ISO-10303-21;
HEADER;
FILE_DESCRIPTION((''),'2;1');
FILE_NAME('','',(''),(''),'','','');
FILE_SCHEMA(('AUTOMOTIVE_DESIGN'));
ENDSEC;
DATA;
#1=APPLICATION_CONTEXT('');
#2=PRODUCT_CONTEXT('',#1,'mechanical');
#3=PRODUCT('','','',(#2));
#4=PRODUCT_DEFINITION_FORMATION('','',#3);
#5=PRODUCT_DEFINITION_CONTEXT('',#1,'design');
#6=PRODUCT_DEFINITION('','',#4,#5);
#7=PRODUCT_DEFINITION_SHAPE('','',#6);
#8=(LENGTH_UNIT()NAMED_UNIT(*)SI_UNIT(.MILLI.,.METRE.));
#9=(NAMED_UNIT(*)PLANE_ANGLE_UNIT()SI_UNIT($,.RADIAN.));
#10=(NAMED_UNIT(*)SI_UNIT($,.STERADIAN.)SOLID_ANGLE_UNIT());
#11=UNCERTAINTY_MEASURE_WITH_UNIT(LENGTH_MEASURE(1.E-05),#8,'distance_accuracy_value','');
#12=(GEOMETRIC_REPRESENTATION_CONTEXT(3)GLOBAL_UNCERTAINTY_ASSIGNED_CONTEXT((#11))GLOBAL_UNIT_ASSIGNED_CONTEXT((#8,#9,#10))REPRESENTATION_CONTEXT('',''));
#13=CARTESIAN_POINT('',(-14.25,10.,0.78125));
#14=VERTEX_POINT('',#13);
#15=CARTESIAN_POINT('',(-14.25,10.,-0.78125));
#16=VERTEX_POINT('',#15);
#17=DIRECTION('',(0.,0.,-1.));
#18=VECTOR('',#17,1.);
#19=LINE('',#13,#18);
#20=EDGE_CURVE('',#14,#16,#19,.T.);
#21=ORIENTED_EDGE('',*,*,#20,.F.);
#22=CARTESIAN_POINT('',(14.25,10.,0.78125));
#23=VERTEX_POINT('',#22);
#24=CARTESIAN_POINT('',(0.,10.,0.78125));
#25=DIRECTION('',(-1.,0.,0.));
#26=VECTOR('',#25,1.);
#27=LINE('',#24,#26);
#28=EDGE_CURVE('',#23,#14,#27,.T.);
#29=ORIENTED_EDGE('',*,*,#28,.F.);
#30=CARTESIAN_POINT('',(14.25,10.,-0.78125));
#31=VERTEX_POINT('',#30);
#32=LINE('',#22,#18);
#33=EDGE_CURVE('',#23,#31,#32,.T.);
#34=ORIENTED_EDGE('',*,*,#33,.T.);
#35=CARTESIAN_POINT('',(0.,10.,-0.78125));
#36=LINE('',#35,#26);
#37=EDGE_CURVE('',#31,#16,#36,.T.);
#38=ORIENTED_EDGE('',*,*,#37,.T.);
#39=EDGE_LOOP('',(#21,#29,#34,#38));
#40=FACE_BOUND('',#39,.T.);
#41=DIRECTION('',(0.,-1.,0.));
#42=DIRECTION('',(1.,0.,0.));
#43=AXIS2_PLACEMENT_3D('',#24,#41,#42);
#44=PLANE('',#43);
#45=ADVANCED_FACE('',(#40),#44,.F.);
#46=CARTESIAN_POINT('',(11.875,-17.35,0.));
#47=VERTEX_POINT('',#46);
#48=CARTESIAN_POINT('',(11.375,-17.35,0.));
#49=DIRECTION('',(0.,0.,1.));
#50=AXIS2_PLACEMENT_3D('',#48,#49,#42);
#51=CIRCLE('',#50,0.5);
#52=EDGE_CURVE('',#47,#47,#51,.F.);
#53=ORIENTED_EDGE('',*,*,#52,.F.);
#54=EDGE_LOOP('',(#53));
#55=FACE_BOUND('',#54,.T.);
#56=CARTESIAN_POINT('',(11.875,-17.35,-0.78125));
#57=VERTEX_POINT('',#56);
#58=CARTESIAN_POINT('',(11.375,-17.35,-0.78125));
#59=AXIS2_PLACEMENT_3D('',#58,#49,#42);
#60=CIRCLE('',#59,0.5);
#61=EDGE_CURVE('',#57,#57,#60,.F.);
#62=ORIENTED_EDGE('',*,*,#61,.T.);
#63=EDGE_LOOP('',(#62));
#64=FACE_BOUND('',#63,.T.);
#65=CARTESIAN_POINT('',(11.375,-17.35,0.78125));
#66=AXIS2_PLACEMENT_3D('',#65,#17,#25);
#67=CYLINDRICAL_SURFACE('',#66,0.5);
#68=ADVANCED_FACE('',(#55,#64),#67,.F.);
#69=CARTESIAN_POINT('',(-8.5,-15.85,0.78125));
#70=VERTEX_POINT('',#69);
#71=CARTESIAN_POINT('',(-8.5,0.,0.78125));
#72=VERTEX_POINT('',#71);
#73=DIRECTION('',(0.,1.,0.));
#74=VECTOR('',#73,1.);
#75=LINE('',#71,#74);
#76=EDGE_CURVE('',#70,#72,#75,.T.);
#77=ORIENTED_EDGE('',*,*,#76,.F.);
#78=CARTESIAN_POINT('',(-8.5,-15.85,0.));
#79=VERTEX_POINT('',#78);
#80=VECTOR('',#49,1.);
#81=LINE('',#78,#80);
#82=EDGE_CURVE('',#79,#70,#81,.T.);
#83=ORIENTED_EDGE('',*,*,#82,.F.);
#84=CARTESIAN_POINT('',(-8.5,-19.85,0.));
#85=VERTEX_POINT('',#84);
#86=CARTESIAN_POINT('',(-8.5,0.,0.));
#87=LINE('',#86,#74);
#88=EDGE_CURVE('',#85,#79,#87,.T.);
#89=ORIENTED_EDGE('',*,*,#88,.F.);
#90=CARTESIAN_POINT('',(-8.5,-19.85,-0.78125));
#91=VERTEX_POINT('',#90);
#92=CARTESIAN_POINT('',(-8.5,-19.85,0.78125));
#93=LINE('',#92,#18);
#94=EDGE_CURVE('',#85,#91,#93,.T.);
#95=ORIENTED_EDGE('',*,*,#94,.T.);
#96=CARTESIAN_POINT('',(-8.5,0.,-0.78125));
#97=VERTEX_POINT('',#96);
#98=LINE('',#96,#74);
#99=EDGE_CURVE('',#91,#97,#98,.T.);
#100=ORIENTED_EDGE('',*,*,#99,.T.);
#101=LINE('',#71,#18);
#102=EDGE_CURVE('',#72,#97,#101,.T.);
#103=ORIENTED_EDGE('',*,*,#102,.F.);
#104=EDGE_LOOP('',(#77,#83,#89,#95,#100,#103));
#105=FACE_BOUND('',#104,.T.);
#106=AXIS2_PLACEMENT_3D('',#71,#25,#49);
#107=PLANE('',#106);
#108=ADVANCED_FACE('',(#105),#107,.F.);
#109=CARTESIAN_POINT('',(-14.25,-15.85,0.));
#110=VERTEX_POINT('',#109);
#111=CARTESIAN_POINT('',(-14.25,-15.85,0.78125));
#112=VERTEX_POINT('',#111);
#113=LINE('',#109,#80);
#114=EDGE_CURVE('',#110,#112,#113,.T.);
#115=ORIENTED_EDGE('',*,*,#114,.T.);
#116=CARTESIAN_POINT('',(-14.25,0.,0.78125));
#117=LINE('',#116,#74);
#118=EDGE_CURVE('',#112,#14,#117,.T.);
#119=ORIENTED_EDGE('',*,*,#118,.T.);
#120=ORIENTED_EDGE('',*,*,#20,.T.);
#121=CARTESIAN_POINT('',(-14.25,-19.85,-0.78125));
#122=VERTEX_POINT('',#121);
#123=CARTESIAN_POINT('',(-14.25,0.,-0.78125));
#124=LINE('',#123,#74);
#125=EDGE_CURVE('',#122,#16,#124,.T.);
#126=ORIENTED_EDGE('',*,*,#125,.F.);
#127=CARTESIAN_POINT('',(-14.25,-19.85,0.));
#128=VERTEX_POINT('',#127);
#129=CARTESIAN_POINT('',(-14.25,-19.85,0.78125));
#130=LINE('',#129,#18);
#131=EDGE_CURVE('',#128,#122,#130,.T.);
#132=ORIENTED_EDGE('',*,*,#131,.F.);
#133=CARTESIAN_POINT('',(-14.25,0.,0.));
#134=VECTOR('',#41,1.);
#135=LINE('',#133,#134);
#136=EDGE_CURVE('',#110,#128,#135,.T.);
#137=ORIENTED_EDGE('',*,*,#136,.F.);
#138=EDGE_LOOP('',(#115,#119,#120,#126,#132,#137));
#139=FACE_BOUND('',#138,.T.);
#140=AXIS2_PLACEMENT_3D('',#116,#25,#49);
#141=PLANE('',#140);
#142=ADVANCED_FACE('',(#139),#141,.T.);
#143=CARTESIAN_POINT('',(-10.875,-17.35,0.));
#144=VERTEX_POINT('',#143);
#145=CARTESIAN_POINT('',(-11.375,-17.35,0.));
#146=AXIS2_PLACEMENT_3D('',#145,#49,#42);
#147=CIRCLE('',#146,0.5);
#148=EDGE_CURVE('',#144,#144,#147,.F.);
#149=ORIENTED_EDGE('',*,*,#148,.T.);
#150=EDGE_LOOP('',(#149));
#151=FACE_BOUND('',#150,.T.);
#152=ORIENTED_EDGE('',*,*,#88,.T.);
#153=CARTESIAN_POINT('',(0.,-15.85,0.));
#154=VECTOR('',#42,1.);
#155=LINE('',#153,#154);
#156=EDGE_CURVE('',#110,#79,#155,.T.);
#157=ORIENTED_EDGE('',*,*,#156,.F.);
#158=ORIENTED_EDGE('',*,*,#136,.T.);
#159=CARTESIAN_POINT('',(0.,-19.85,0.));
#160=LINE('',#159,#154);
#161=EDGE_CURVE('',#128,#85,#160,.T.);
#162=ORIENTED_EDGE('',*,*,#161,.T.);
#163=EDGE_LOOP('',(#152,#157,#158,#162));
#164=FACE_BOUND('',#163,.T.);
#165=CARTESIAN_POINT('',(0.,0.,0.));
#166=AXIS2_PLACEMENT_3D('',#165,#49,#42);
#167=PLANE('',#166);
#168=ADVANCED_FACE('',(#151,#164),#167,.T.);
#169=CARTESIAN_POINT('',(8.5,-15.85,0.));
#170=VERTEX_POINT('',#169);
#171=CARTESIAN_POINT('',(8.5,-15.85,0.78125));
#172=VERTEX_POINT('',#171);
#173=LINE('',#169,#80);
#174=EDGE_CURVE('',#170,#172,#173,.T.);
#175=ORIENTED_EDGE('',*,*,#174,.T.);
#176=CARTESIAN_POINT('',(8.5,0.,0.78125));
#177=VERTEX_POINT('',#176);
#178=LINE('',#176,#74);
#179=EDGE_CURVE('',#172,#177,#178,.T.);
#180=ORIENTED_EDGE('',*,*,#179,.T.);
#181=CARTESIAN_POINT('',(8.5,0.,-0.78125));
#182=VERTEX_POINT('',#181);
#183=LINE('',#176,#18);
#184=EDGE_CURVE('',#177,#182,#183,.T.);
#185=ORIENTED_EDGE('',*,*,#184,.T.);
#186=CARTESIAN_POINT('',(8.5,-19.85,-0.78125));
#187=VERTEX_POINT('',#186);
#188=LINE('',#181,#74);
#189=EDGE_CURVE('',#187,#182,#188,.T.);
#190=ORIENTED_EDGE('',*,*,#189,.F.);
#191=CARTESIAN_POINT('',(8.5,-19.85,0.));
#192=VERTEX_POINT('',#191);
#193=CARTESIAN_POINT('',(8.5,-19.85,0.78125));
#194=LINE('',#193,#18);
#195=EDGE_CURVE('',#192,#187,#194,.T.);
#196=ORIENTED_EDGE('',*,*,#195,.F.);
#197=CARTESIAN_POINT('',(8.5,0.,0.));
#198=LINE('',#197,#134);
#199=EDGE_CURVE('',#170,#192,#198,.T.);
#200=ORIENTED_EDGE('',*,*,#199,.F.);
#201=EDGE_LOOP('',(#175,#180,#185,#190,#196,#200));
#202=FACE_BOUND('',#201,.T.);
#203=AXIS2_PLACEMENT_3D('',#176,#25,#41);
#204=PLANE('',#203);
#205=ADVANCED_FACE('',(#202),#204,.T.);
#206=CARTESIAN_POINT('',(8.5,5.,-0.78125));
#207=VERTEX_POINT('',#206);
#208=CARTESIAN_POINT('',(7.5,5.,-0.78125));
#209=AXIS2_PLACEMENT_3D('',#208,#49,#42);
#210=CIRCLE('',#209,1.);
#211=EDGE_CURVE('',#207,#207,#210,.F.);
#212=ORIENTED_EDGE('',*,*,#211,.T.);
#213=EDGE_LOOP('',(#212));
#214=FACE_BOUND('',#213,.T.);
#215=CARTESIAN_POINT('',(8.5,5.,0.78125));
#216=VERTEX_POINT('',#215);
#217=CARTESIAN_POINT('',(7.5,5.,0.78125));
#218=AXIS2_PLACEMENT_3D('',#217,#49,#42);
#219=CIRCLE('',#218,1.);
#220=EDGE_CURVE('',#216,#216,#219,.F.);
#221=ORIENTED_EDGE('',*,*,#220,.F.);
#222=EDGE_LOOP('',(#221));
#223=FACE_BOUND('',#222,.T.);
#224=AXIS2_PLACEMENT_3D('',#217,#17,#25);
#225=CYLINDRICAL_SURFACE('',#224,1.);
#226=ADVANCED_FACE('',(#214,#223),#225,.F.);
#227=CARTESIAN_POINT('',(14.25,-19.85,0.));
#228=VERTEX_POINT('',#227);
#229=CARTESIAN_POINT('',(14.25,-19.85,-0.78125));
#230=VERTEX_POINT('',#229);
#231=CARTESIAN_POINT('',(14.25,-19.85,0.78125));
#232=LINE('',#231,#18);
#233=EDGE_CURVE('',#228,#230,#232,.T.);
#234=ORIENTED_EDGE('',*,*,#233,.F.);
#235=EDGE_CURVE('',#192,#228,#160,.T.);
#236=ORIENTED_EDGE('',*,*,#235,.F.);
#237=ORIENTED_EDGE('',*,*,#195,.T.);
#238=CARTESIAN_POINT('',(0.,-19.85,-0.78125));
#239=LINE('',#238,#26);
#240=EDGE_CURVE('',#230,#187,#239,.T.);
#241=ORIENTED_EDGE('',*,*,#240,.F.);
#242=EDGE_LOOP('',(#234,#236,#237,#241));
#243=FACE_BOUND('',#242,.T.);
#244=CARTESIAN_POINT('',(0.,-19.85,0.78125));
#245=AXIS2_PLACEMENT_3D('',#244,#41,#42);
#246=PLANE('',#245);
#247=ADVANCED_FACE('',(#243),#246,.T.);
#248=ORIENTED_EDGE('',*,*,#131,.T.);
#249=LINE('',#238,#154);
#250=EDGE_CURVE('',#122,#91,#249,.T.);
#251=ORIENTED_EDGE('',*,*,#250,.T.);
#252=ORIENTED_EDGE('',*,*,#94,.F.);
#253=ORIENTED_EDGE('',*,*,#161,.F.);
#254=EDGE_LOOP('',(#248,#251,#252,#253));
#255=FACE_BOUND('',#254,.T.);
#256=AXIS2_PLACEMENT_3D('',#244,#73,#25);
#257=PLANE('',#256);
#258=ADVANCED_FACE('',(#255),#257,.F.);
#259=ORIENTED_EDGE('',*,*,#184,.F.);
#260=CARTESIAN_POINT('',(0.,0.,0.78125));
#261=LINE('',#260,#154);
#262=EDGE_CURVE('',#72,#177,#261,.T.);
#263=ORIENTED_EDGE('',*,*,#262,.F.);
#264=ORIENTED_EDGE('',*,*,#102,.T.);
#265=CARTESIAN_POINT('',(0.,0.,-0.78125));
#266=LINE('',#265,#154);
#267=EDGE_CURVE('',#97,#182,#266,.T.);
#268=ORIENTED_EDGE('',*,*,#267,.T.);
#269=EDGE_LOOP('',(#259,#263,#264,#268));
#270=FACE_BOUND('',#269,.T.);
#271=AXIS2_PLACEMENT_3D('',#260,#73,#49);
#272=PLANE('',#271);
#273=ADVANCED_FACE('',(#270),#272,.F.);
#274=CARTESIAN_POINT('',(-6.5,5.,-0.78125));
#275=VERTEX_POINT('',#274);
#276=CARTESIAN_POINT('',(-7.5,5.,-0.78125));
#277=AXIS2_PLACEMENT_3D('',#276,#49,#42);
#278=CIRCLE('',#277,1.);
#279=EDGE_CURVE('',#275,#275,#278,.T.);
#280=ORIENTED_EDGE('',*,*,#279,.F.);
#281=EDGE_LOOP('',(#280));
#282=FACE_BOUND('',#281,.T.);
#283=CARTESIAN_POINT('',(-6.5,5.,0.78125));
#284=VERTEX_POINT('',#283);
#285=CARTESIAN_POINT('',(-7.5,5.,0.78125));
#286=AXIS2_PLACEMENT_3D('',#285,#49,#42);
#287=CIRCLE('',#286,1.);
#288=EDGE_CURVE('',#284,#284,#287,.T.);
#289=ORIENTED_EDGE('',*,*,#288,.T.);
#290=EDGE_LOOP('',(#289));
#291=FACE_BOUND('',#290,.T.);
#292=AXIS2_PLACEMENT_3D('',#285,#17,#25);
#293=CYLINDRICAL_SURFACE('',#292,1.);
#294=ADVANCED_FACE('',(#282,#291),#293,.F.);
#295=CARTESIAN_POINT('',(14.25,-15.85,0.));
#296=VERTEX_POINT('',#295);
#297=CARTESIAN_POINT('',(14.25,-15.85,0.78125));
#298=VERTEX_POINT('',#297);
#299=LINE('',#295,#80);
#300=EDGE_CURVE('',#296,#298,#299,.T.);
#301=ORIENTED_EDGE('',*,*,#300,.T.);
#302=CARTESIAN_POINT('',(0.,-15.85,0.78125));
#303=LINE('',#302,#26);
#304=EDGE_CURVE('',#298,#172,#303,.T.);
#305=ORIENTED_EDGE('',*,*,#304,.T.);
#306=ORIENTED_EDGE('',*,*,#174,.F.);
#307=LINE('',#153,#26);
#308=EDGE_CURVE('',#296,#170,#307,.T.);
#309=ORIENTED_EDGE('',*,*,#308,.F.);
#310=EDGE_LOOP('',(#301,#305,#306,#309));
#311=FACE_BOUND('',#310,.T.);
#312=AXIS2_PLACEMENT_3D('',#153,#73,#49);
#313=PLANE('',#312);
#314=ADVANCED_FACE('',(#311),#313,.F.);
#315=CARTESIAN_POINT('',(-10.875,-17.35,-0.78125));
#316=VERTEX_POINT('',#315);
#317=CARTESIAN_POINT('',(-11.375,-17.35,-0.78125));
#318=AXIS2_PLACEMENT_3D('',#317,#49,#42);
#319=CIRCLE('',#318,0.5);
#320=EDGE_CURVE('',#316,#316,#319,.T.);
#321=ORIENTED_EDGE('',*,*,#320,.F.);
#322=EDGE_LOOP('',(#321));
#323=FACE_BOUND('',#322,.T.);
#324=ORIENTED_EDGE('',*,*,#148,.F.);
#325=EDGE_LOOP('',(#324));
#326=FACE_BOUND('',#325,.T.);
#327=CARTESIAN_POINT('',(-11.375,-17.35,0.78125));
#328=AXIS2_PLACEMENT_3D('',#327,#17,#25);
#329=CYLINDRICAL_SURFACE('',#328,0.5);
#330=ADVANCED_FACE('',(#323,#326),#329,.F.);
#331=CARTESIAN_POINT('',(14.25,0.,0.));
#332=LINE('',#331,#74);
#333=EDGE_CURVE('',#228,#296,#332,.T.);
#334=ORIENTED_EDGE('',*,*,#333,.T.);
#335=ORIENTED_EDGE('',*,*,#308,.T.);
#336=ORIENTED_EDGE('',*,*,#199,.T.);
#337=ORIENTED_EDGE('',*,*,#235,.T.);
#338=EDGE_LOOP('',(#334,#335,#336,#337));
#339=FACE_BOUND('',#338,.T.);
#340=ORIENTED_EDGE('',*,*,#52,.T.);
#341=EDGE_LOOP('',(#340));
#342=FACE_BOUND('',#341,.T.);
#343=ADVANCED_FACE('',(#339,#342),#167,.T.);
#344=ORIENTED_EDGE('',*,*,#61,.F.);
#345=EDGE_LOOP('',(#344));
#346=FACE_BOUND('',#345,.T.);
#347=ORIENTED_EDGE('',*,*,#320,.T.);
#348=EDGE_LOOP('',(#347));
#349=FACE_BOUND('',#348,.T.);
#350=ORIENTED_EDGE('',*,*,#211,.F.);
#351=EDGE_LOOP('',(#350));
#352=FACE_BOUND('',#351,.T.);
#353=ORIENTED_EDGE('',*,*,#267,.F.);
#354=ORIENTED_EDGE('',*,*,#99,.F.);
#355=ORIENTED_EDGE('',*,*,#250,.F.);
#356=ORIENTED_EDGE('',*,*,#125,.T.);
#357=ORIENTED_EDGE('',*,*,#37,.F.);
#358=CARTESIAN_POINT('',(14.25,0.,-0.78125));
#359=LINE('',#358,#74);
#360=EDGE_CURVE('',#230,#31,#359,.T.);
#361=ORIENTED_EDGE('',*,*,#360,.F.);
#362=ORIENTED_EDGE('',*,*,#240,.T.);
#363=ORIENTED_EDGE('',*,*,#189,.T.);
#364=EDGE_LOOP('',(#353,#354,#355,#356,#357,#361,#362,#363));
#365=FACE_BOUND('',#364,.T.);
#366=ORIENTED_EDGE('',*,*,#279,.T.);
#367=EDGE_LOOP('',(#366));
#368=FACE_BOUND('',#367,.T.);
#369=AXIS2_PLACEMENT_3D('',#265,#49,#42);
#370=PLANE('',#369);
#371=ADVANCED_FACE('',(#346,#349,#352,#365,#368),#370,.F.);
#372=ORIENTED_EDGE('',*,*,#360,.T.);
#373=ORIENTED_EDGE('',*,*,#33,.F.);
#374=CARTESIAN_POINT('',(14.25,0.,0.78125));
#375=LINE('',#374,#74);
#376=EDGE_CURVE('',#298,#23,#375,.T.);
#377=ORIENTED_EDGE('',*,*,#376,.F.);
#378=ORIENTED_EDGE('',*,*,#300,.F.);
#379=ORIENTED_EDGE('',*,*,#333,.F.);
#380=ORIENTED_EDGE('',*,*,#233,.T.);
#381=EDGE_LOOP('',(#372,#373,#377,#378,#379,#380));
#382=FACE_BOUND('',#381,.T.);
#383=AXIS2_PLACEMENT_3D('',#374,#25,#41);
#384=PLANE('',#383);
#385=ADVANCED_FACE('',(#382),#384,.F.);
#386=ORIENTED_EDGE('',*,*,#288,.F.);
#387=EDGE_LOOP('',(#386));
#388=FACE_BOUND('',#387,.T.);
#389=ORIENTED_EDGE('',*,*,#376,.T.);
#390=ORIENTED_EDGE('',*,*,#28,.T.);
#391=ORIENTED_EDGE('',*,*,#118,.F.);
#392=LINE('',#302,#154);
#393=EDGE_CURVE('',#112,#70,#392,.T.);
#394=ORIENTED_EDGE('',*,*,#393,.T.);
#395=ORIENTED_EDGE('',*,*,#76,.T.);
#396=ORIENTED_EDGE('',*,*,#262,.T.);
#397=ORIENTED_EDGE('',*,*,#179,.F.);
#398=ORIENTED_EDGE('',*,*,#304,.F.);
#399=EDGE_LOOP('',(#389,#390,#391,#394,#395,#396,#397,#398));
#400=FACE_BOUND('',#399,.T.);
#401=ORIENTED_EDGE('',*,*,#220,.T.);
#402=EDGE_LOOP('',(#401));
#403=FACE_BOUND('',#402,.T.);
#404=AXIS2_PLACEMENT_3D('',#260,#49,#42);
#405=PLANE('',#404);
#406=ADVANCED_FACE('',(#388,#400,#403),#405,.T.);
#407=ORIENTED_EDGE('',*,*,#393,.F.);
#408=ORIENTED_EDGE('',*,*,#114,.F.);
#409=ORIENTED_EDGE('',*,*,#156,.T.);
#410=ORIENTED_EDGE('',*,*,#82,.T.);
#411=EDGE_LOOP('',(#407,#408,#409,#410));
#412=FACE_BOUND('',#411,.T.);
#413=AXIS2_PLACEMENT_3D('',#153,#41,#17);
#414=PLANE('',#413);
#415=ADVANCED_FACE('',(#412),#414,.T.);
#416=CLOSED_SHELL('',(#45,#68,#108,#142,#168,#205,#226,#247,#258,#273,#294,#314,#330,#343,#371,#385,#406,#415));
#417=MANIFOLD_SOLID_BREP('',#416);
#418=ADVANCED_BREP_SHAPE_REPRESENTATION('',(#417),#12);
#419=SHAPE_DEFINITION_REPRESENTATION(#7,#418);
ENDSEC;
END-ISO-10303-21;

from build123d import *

# Parameters (mm, degrees)
SKETCH1_R           = 1
SKETCH1_R_2         = 0.5
BOSS_EXTRUDE1_DEPTH = 0.781250025
SKETCH2_W           = 5.75
SKETCH2_H           = 4
CUT_EXTRUDE1_DEPTH  = 0.781250025


with BuildPart() as part:
    # Sketch1 → Boss-Extrude1 (new, symmetric)
    with BuildSketch(Plane.XY):
        Polygon((-8.5, -19.85), (-8.5, 0), (8.5, 0), (8.5, -19.85), (14.25, -19.85), (14.25, 10), (-14.25, 10), (-14.25, -19.85), align=None)
        with Locations((-7.5, 5)):
            Circle(SKETCH1_R, mode=Mode.SUBTRACT)
        with Locations((7.5, 5)):
            Circle(SKETCH1_R, mode=Mode.SUBTRACT)
        with Locations((-11.375, -17.35)):
            Circle(SKETCH1_R_2, mode=Mode.SUBTRACT)
        with Locations((11.375, -17.35)):
            Circle(SKETCH1_R_2, mode=Mode.SUBTRACT)
    extrude(amount=BOSS_EXTRUDE1_DEPTH, both=True)

    # Sketch2 → Cut-Extrude1 (cut)
    with BuildSketch(Plane.XY.offset(0.781250025)):
        with Locations((-11.375, -17.85)):
            Rectangle(SKETCH2_W, SKETCH2_H)
        with Locations((11.375, -17.85)):
            Rectangle(SKETCH2_W, SKETCH2_H)
    extrude(amount=-CUT_EXTRUDE1_DEPTH, mode=Mode.SUBTRACT)


solid = part.part
